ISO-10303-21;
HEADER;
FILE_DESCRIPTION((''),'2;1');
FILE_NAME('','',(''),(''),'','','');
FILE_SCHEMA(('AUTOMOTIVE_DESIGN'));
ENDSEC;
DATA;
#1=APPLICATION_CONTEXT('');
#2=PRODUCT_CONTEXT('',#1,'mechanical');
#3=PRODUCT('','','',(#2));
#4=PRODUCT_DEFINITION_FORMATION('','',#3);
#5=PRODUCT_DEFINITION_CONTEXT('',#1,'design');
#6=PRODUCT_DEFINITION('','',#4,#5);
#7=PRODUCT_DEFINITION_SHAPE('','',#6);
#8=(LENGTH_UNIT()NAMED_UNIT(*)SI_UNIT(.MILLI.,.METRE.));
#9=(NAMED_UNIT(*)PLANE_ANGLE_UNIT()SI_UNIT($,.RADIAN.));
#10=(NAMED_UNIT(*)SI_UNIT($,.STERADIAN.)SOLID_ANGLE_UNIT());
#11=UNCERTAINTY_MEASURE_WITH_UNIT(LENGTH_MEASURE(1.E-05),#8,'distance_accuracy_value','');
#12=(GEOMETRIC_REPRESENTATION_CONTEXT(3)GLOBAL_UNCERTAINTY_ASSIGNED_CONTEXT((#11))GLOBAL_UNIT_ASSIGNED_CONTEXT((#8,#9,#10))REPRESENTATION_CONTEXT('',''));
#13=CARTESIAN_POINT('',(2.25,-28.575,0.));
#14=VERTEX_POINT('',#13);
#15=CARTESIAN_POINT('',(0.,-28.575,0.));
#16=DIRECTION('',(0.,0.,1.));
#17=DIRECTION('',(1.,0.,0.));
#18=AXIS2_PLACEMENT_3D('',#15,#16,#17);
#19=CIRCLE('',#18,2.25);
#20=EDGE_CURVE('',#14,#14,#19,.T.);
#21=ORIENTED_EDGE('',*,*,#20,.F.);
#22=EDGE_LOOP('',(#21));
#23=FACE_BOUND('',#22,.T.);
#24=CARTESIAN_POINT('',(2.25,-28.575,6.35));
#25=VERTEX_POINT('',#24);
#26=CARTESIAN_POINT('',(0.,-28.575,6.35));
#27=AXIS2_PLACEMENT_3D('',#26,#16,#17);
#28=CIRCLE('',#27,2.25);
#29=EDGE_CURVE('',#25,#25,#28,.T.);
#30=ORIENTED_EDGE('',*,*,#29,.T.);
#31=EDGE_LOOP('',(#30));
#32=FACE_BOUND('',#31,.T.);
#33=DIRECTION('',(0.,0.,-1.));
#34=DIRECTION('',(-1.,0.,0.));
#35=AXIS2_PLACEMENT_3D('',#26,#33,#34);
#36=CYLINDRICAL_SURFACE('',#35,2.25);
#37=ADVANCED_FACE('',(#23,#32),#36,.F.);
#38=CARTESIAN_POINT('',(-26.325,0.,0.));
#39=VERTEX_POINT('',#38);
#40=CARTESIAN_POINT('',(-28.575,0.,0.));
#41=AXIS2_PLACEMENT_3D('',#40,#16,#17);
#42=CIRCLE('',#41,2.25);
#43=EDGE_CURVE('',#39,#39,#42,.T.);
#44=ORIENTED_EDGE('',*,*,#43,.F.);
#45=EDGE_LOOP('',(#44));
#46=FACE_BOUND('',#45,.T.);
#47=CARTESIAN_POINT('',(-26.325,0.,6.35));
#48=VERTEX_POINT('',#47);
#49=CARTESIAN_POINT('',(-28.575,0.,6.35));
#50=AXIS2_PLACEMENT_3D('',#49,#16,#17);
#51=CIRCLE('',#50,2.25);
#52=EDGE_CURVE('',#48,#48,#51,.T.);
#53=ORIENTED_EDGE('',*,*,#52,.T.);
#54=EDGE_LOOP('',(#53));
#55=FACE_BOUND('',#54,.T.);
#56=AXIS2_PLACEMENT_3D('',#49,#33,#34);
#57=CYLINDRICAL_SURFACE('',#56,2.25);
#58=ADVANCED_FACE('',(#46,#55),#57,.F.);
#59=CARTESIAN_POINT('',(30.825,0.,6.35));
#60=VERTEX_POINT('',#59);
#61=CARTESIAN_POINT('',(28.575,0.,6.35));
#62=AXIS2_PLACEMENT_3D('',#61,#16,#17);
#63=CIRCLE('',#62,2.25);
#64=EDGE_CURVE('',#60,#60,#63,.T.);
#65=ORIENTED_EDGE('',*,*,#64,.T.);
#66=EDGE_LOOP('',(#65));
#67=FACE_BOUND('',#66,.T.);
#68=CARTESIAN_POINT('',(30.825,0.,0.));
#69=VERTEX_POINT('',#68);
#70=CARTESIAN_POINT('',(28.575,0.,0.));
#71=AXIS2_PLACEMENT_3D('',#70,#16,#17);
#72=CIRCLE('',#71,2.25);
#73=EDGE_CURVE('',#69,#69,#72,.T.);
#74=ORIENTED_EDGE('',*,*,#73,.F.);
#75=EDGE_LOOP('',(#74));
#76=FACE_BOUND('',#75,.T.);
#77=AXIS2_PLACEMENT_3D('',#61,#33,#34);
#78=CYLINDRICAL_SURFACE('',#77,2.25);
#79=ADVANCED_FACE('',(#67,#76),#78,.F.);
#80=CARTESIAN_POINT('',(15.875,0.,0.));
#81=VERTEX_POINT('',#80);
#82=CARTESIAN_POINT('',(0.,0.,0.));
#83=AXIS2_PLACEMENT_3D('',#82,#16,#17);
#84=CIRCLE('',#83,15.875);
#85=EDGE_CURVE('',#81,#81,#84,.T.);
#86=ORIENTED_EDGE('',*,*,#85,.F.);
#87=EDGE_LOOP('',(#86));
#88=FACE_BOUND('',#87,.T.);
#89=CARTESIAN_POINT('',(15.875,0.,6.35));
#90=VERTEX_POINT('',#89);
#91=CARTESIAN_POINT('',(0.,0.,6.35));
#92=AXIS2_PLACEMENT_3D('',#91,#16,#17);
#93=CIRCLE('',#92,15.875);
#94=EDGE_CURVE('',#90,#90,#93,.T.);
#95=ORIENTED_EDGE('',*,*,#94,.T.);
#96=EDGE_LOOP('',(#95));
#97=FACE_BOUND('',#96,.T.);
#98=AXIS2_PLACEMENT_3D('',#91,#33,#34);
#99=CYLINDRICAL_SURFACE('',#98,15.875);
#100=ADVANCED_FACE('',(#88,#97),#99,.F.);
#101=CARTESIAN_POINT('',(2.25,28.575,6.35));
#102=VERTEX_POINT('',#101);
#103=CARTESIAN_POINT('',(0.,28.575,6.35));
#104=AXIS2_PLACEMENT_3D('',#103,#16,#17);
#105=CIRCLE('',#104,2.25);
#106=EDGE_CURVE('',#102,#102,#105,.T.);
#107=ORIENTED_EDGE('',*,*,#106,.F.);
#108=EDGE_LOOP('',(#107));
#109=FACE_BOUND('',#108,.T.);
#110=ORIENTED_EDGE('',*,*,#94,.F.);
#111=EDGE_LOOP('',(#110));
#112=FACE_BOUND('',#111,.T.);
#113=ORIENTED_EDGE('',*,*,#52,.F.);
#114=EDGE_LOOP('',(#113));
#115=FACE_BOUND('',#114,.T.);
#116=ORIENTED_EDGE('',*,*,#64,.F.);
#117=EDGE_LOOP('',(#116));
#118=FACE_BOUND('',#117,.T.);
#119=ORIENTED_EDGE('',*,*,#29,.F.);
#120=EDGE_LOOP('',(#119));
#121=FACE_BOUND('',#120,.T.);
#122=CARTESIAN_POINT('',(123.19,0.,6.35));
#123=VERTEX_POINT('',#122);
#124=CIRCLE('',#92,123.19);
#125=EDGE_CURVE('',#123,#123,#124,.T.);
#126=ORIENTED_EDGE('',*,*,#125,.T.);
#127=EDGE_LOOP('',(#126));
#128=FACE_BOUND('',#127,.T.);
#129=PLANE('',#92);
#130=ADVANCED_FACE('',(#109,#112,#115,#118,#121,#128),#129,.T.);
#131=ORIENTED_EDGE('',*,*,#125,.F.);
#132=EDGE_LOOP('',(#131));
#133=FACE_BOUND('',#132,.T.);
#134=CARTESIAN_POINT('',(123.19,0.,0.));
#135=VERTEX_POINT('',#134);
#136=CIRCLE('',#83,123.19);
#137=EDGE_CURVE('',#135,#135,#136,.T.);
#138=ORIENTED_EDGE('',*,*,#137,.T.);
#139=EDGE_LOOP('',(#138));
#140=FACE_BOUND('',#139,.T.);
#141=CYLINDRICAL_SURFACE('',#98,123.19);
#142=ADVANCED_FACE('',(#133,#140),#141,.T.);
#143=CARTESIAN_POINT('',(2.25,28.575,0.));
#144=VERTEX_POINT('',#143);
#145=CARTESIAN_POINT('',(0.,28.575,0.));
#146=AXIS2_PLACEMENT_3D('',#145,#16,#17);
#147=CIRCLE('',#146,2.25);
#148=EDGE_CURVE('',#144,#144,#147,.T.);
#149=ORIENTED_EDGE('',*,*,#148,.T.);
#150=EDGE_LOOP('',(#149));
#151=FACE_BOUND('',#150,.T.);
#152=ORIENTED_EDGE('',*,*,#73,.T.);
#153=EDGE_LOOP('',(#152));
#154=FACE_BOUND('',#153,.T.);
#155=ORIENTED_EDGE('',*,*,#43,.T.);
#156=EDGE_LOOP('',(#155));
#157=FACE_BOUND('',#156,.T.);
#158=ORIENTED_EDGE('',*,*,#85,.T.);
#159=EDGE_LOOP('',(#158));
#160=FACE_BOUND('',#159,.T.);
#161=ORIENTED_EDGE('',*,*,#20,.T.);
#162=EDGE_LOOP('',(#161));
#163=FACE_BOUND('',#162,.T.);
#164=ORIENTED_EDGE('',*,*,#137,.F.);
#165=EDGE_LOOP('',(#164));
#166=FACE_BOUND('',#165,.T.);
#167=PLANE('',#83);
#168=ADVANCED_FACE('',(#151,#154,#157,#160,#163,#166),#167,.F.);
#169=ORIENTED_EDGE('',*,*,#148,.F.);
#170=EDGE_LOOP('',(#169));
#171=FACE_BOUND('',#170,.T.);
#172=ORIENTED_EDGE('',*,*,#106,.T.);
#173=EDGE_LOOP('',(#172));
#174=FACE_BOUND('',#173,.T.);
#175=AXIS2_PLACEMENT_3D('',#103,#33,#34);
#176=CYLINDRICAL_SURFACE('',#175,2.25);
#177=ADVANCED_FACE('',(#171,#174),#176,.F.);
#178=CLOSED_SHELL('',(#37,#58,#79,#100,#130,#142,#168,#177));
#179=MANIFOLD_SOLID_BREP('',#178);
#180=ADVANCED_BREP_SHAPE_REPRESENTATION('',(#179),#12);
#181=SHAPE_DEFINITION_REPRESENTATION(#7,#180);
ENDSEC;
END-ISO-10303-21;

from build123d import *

# Parameters (mm, degrees)
SKETCH1_R           = 123.19
SKETCH1_R_2         = 15.875
SKETCH1_R_3         = 2.25
BOSS_EXTRUDE1_DEPTH = 6.35


with BuildPart() as part:
    # Sketch1 → Boss-Extrude1 (new body)
    with BuildSketch(Plane.XY):
        Circle(SKETCH1_R)
        Circle(SKETCH1_R_2, mode=Mode.SUBTRACT)
        with Locations((0, 28.575)):
            Circle(SKETCH1_R_3, mode=Mode.SUBTRACT)
        with Locations((-28.575, 0)):
            Circle(SKETCH1_R_3, mode=Mode.SUBTRACT)
        with Locations((28.575, 0)):
            Circle(SKETCH1_R_3, mode=Mode.SUBTRACT)
        with Locations((0, -28.575)):
            Circle(SKETCH1_R_3, mode=Mode.SUBTRACT)
    extrude(amount=BOSS_EXTRUDE1_DEPTH)


solid = part.part
